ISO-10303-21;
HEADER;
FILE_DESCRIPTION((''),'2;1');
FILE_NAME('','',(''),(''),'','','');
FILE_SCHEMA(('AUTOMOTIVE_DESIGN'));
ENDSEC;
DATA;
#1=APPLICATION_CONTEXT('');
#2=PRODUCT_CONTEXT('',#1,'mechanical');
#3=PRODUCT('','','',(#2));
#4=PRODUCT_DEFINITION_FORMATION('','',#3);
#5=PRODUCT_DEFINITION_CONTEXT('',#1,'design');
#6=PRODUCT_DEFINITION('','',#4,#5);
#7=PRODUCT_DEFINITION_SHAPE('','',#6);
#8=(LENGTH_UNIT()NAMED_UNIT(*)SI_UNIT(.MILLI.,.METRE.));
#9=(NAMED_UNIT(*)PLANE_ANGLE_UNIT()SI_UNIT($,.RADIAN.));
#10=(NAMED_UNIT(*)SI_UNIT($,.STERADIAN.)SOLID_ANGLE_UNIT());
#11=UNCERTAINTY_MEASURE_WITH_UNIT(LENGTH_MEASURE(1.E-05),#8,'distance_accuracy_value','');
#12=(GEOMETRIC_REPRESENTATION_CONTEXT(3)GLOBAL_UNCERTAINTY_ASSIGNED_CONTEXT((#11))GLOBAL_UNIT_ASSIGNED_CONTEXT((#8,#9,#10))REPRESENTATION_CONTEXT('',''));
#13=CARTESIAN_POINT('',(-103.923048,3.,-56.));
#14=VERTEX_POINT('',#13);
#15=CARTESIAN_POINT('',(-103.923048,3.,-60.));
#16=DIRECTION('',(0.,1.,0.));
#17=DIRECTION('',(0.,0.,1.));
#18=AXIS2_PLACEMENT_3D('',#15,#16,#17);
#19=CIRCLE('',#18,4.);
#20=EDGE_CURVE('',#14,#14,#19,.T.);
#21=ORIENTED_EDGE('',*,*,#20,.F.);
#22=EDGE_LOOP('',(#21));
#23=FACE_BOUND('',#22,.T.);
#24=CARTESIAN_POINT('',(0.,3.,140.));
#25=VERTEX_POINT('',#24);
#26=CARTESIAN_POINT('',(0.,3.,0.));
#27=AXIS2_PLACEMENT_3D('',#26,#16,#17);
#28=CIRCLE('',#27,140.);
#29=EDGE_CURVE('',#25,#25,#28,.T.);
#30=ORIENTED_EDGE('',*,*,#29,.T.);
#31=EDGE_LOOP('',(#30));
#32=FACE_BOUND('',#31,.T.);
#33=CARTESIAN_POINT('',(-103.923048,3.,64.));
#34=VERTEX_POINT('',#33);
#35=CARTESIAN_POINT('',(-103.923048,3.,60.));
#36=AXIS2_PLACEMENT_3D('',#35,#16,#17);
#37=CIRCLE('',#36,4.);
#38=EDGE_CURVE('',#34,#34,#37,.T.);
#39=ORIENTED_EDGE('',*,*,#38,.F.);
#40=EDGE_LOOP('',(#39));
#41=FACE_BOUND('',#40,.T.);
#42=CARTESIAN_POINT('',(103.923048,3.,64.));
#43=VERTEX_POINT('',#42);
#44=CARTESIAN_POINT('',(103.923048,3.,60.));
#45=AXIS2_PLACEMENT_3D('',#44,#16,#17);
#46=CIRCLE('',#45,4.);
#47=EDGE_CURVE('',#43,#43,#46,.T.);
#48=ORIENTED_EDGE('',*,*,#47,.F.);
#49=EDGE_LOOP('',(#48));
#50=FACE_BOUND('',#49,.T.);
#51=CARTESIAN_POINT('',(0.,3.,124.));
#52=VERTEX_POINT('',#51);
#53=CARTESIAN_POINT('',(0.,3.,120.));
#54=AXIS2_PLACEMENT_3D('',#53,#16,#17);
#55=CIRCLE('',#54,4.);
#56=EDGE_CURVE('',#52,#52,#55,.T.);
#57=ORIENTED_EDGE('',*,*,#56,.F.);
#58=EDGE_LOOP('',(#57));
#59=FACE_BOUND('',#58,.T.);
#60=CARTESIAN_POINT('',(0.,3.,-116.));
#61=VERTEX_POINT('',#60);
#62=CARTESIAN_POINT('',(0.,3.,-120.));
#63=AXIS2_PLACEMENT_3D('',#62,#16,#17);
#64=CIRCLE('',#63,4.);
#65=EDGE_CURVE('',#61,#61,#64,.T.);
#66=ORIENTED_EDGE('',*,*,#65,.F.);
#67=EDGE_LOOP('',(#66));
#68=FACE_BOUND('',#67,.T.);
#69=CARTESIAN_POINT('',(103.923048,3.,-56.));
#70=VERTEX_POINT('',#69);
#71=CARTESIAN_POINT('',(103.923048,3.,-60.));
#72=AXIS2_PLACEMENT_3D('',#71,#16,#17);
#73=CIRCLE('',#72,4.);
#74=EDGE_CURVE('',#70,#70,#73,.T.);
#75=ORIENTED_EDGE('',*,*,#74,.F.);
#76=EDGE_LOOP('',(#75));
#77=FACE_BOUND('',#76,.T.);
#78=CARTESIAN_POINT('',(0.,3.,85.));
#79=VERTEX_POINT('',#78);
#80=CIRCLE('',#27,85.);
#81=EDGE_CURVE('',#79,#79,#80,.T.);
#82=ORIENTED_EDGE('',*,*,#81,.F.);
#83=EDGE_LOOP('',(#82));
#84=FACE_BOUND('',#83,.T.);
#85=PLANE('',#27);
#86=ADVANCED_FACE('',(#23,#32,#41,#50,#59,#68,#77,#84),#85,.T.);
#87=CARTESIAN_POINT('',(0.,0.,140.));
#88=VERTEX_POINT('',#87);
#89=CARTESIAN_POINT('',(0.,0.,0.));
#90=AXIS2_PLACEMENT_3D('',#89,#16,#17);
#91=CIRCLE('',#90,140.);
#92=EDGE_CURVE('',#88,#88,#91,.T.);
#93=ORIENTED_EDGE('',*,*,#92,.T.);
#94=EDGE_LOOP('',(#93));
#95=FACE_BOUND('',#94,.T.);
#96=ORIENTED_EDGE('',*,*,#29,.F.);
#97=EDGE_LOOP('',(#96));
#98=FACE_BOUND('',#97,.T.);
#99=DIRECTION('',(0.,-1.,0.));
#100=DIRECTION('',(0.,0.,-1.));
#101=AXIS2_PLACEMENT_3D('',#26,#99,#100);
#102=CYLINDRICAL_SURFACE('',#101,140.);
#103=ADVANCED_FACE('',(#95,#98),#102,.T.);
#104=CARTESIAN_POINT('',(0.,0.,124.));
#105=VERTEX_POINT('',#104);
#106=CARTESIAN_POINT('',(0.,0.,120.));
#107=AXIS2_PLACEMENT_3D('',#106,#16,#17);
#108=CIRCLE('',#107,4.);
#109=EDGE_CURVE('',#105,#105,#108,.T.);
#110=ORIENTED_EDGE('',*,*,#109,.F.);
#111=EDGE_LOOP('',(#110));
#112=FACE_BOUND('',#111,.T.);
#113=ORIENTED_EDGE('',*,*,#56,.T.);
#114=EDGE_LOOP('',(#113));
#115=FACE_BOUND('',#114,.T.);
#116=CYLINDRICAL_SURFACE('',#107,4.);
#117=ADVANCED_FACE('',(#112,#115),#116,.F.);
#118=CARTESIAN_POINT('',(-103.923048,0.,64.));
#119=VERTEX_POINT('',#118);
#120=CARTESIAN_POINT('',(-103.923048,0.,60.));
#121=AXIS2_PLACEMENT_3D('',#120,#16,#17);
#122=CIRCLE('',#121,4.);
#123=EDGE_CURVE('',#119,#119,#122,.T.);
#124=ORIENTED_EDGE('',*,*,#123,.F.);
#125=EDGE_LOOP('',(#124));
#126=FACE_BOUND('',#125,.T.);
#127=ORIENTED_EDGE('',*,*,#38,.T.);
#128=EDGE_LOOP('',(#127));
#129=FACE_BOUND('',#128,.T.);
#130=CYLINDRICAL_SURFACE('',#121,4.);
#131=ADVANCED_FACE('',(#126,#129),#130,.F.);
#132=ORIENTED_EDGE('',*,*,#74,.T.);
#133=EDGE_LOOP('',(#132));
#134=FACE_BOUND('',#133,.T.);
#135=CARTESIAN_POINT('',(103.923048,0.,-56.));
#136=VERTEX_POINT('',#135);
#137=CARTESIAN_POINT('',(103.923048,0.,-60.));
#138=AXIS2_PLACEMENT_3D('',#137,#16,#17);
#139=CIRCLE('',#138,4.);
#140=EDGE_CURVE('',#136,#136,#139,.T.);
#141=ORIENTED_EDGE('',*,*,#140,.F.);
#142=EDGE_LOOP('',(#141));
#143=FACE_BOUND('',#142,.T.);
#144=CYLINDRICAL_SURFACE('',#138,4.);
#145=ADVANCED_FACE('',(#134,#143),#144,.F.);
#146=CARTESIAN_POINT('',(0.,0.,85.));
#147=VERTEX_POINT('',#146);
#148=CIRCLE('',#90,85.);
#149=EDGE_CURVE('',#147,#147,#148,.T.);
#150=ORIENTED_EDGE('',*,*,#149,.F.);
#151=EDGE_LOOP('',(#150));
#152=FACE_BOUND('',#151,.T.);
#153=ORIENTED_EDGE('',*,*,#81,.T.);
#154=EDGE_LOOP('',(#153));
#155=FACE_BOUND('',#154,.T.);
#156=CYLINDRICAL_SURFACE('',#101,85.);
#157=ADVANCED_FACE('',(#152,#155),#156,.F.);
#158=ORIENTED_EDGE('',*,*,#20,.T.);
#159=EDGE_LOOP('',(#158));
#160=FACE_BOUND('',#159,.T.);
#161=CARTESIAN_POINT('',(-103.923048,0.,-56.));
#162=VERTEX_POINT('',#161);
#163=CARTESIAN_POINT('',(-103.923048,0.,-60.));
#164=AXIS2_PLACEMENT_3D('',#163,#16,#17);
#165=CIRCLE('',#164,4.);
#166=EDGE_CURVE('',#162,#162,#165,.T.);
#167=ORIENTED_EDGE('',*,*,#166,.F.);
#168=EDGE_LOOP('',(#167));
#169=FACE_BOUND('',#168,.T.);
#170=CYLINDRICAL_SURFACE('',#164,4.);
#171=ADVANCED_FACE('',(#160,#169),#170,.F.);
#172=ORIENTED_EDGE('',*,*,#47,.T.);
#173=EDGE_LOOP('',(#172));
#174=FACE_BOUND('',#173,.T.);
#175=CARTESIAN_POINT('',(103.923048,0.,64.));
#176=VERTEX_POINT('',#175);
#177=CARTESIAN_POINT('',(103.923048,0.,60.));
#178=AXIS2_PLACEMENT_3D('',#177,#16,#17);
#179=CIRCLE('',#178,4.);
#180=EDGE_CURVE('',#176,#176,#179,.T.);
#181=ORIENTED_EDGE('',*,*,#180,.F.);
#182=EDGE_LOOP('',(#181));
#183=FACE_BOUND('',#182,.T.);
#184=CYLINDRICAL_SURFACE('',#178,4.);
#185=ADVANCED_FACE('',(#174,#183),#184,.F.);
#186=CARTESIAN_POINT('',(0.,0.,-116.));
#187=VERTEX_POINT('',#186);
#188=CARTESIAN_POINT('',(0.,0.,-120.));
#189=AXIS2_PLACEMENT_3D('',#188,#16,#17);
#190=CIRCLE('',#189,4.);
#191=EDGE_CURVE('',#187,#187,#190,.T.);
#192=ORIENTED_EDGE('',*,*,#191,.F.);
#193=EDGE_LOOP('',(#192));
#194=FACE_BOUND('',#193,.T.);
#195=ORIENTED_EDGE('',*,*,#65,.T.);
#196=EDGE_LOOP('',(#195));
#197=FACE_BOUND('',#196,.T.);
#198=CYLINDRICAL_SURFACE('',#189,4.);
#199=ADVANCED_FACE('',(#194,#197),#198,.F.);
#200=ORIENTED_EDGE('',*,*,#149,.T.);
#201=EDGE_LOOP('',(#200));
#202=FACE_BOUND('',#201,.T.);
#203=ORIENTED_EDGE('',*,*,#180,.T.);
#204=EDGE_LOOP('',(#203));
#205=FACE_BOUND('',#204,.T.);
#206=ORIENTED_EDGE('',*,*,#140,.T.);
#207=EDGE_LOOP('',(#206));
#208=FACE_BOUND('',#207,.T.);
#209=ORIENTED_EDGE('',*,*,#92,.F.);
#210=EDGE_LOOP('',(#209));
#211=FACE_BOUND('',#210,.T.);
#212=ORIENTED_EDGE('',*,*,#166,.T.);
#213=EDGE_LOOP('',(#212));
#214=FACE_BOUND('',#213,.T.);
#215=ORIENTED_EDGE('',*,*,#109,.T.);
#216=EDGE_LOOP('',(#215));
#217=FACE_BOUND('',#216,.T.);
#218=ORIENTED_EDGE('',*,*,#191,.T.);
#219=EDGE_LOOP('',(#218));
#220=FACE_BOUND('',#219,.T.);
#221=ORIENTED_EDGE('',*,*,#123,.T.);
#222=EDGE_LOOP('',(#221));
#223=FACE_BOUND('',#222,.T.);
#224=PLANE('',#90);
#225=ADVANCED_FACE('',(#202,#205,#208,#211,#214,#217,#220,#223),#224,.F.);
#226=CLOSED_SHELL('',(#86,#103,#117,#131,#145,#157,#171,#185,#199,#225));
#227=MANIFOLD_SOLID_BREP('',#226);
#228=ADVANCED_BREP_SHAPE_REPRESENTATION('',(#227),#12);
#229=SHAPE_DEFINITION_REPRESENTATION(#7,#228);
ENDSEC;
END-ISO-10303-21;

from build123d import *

# Parameters (mm, degrees)
CROQUIS1_R              = 140
CROQUIS1_R_2            = 85
SALIENTE_EXTRUIR1_DEPTH = 3
CROQUIS2_R              = 4
CORTAR_EXTRUIR1_DEPTH   = 4


with BuildPart() as part:
    # Croquis1 → Saliente-Extruir1 (new body)
    with BuildSketch(Plane(origin=(0, 0, 0), x_dir=(1, 0, 0), z_dir=(0, 1, 0))):
        Circle(CROQUIS1_R)
        Circle(CROQUIS1_R_2, mode=Mode.SUBTRACT)
    extrude(amount=SALIENTE_EXTRUIR1_DEPTH)

    # Croquis2 → Cortar-Extruir1 (cut, through all)
    with BuildSketch(Plane(origin=(0, 3, 0), x_dir=(1, 0, 0), z_dir=(0, 1, 0))):
        with Locations((0, 120)):
            Circle(CROQUIS2_R)
        with Locations((103.923048454, 60)):
            Circle(CROQUIS2_R)
        with Locations((103.923048454, -60)):
            Circle(CROQUIS2_R)
        with Locations((0, -120)):
            Circle(CROQUIS2_R)
        with Locations((-103.923048454, -60)):
            Circle(CROQUIS2_R)
        with Locations((-103.923048454, 60)):
            Circle(CROQUIS2_R)
    extrude(amount=-CORTAR_EXTRUIR1_DEPTH, mode=Mode.SUBTRACT)


solid = part.part
